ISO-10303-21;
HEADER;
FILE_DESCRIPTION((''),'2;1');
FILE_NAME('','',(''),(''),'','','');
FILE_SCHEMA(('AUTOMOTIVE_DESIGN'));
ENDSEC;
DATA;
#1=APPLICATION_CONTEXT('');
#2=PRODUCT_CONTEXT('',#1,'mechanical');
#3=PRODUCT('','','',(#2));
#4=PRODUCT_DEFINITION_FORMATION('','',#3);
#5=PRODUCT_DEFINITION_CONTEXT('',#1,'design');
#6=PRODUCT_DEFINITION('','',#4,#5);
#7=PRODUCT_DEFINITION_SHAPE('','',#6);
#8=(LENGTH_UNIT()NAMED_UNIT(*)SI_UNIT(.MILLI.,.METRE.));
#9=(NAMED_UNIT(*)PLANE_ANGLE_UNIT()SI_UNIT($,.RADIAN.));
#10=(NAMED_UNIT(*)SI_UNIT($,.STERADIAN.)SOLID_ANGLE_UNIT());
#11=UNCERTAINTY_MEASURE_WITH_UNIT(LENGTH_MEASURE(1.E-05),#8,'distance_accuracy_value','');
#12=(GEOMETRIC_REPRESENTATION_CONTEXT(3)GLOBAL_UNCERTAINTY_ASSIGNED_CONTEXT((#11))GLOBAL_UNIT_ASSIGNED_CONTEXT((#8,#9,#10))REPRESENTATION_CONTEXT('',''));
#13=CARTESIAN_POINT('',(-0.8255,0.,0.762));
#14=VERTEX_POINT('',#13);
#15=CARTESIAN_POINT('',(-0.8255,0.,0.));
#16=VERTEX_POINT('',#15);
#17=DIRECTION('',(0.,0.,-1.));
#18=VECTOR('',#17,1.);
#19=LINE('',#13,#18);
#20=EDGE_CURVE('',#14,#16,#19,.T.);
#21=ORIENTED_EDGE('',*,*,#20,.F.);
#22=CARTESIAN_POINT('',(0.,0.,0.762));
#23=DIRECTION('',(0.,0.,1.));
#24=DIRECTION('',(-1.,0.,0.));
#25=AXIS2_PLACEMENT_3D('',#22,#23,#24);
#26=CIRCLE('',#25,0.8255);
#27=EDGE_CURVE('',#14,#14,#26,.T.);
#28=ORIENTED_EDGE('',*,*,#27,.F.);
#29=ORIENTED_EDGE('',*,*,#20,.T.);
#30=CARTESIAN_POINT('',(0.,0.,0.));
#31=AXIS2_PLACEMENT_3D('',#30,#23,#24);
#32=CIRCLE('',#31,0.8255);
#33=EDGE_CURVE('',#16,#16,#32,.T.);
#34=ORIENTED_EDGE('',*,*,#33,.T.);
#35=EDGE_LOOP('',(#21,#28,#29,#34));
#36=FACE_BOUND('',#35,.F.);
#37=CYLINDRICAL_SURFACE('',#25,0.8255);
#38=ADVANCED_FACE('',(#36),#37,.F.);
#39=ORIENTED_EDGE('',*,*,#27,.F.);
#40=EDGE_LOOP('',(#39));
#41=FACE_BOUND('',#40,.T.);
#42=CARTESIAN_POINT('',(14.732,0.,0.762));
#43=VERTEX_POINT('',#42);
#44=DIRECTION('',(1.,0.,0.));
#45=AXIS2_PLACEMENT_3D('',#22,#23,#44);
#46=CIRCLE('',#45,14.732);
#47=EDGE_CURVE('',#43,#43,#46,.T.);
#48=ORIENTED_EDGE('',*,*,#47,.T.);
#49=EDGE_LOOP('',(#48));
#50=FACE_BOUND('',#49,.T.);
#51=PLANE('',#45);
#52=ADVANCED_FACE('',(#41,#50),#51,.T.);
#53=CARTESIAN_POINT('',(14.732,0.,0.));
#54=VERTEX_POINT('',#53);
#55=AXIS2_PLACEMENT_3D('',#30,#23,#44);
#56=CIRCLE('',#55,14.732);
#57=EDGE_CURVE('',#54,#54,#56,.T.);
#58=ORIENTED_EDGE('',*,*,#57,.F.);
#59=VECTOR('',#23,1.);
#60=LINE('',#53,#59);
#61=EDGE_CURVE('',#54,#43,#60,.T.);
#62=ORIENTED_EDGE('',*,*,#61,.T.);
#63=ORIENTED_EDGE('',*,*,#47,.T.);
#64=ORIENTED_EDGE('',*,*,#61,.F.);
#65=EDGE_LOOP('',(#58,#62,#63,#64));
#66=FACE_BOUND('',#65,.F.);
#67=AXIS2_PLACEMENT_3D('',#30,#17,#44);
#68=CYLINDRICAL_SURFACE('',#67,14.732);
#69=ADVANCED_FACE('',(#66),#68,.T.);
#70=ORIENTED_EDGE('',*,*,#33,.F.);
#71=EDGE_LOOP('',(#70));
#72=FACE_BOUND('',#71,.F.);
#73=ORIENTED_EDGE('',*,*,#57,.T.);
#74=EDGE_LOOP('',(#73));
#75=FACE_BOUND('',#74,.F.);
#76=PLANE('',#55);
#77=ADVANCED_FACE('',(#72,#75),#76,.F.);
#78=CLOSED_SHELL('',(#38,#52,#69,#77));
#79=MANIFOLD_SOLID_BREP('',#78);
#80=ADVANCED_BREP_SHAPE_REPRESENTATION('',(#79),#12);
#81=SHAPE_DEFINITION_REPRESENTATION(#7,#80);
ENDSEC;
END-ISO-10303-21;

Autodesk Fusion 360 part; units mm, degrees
sketch "Sketch1" plane through (0, 0, 0) normal (0, 0, 1) x (1, 0, 0)
  circle A0 centre (0, 0) radius 14.732
  dimension "d1" = 29.464
extrude "Extrude1" add sketch "Sketch1" along normal blind 0.762
sketch "Sketch2" plane through (0, 0, 0.762) normal (0, 0, 1) x (-1, 0, 0)
  circle A0 centre (0, 0) radius 14.732
  circle A1 centre (0, 0) radius 0.8255
  dimension "d4" = 1.651
extrude "Extrude2" cut sketch "Sketch2" against normal blind 2.54 contours A1
sketch "Sketch3" plane through (0, 0, 0.762) normal (0, 0, 1) x (-1, 0, 0)
  circle A0 centre (0, 0) radius 0.8255
  circle A1 centre (0, 0) radius 14.732
